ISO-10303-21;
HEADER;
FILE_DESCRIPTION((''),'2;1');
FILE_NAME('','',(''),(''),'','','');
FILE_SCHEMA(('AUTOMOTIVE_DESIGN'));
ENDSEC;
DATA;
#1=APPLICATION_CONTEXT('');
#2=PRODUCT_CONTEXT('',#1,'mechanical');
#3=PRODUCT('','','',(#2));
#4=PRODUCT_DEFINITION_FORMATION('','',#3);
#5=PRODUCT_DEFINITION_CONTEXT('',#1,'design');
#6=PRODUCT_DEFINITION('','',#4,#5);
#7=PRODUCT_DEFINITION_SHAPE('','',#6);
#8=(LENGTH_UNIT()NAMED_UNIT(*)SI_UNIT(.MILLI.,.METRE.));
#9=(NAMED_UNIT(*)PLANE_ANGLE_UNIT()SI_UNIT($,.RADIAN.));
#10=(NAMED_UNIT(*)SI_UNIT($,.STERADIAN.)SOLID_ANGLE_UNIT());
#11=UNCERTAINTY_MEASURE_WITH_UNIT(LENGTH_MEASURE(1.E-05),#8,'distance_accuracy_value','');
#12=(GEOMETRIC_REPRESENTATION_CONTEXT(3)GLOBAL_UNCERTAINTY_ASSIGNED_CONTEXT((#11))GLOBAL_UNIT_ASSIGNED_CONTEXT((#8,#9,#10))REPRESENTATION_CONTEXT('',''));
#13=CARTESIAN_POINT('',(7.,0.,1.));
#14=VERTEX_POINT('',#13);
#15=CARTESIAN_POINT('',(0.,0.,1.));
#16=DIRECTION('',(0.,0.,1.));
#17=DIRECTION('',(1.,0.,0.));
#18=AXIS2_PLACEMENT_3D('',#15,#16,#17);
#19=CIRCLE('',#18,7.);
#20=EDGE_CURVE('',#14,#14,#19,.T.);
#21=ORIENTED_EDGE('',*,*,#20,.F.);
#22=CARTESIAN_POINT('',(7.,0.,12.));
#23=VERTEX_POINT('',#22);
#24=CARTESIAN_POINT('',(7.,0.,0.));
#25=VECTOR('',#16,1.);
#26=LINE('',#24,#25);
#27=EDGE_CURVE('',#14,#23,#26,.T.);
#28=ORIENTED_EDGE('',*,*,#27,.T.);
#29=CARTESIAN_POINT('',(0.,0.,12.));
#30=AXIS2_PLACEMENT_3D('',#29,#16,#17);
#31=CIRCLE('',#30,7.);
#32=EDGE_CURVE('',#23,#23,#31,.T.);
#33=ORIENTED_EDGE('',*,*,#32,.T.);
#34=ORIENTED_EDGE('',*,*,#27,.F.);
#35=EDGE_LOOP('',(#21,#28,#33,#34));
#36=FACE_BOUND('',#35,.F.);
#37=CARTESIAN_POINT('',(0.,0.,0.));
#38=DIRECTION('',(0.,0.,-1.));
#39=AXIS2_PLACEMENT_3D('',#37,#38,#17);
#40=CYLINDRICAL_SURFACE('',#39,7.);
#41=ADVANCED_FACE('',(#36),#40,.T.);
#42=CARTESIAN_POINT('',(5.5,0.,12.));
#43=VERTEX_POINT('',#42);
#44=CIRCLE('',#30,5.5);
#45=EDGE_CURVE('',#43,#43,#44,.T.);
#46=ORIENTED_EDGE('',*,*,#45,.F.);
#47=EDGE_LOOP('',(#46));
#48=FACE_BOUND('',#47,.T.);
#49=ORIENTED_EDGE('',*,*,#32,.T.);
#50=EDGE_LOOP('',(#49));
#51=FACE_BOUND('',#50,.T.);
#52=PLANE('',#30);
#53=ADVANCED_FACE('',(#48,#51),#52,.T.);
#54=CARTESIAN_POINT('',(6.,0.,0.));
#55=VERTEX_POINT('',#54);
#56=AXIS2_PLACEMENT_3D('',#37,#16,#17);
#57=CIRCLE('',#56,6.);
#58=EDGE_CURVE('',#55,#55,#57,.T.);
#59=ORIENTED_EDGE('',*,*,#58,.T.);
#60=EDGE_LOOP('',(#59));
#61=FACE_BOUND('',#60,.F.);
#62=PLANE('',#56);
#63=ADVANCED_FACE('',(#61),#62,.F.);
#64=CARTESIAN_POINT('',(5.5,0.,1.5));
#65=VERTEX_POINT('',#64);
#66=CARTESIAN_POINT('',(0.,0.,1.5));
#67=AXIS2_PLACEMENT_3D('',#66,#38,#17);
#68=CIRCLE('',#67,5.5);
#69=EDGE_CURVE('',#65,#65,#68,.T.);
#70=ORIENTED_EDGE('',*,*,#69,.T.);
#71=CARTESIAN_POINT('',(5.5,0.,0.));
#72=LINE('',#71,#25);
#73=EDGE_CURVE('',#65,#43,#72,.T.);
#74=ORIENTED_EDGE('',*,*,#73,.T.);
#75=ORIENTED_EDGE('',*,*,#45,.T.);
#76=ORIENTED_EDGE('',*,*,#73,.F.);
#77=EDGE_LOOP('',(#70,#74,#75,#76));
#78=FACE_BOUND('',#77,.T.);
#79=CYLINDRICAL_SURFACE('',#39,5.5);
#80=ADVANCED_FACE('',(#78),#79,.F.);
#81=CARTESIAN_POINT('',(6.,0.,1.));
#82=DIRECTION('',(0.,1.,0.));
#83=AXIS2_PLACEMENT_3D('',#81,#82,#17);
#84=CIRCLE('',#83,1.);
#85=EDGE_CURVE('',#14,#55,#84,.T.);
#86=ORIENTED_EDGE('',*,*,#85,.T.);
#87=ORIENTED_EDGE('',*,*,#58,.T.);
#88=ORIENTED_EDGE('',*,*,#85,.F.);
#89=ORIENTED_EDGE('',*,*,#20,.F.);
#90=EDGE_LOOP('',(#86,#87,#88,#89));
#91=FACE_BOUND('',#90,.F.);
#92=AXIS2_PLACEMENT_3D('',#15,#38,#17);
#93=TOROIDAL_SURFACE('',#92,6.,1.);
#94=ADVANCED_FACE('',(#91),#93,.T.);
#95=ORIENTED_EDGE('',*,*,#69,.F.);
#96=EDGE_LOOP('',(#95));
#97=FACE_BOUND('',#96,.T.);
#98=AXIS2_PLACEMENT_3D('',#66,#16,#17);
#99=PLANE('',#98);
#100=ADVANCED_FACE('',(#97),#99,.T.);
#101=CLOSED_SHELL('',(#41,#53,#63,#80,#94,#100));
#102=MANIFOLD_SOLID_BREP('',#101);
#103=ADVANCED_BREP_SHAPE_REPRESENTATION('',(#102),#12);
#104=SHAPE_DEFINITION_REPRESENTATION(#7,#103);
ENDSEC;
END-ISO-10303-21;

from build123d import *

# Parameters (mm, degrees)
F0_R     = 7
F1_DEPTH = 12
F2_T     = -1.5
F3_R     = 1


with BuildPart() as f1:
    # F0 (on Top) → F1 (new body)
    with BuildSketch(Plane.XY):
        Circle(F0_R)
    extrude(amount=F1_DEPTH)

    # F2
    f2_openings = [f1.faces().sort_by_distance(p)[0] for p in [
        (0, 0, 12),
    ]]
    offset(amount=F2_T, openings=f2_openings)

    # F3
    f3_edges = [f1.edges().sort_by_distance(p)[0] for p in [
        (-7, 0, 0),
    ]]
    fillet(f3_edges, radius=F3_R)


solid = f1.part
